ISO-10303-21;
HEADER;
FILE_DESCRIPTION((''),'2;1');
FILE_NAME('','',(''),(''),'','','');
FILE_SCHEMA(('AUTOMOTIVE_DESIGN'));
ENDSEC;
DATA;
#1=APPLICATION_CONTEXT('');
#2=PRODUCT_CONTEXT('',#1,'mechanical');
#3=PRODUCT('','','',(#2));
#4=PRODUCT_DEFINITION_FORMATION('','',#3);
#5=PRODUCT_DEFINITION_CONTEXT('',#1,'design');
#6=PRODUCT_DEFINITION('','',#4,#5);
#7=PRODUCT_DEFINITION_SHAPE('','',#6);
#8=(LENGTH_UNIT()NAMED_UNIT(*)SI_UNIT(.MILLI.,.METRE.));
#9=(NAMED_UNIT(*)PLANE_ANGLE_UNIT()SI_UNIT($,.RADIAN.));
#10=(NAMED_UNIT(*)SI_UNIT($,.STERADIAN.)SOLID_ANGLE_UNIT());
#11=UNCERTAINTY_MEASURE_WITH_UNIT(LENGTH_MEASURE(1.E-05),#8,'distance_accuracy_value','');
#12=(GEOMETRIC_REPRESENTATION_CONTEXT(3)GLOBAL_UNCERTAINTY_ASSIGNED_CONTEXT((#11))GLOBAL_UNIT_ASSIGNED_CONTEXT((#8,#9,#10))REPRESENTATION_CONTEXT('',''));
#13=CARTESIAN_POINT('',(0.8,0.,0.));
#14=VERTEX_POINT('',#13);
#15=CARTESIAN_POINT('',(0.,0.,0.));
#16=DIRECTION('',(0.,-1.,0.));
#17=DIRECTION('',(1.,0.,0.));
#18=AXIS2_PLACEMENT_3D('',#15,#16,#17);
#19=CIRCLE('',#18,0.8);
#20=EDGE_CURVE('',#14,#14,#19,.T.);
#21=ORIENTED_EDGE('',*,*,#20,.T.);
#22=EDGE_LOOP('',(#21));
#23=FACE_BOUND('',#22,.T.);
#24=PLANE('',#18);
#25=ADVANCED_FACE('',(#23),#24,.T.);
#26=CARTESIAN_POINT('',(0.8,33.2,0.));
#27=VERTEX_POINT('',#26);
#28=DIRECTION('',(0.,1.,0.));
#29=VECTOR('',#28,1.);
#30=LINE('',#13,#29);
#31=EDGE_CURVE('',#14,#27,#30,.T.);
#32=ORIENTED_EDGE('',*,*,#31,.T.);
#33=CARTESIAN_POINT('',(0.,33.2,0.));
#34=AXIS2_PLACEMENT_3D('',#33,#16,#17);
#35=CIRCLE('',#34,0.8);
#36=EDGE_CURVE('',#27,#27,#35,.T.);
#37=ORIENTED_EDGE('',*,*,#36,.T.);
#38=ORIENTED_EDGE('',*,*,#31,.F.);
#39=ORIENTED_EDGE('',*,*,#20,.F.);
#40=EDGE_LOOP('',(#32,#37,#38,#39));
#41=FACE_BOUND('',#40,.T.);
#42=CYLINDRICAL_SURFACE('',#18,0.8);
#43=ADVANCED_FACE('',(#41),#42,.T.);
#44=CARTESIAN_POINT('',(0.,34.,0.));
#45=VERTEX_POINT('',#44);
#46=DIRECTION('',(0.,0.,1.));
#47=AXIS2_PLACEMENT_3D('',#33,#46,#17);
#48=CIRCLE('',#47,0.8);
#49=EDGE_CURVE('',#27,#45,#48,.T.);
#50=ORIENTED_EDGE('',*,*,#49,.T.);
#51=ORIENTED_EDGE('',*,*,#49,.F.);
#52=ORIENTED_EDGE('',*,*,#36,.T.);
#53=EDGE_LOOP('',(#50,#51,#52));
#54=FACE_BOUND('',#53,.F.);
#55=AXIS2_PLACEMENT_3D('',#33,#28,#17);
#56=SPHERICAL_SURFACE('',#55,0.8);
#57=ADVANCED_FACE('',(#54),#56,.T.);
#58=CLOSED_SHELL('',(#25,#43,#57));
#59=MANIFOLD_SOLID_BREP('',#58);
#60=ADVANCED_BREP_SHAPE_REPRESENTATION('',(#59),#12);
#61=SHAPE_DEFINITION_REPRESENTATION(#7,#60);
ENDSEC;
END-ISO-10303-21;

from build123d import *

# Parameters (mm, degrees)
F0_R     = 0.8
F1_DEPTH = 34
F2_R     = 0.8


with BuildPart() as f1:
    # F0 (on Front) → F1 (new body)
    with BuildSketch(Plane.XZ):
        Circle(F0_R)
    extrude(amount=-F1_DEPTH)

    # F2
    f2_edges = [f1.edges().sort_by_distance(p)[0] for p in [
        (-0.8, 34, 0),
    ]]
    fillet(f2_edges, radius=F2_R)


solid = f1.part
